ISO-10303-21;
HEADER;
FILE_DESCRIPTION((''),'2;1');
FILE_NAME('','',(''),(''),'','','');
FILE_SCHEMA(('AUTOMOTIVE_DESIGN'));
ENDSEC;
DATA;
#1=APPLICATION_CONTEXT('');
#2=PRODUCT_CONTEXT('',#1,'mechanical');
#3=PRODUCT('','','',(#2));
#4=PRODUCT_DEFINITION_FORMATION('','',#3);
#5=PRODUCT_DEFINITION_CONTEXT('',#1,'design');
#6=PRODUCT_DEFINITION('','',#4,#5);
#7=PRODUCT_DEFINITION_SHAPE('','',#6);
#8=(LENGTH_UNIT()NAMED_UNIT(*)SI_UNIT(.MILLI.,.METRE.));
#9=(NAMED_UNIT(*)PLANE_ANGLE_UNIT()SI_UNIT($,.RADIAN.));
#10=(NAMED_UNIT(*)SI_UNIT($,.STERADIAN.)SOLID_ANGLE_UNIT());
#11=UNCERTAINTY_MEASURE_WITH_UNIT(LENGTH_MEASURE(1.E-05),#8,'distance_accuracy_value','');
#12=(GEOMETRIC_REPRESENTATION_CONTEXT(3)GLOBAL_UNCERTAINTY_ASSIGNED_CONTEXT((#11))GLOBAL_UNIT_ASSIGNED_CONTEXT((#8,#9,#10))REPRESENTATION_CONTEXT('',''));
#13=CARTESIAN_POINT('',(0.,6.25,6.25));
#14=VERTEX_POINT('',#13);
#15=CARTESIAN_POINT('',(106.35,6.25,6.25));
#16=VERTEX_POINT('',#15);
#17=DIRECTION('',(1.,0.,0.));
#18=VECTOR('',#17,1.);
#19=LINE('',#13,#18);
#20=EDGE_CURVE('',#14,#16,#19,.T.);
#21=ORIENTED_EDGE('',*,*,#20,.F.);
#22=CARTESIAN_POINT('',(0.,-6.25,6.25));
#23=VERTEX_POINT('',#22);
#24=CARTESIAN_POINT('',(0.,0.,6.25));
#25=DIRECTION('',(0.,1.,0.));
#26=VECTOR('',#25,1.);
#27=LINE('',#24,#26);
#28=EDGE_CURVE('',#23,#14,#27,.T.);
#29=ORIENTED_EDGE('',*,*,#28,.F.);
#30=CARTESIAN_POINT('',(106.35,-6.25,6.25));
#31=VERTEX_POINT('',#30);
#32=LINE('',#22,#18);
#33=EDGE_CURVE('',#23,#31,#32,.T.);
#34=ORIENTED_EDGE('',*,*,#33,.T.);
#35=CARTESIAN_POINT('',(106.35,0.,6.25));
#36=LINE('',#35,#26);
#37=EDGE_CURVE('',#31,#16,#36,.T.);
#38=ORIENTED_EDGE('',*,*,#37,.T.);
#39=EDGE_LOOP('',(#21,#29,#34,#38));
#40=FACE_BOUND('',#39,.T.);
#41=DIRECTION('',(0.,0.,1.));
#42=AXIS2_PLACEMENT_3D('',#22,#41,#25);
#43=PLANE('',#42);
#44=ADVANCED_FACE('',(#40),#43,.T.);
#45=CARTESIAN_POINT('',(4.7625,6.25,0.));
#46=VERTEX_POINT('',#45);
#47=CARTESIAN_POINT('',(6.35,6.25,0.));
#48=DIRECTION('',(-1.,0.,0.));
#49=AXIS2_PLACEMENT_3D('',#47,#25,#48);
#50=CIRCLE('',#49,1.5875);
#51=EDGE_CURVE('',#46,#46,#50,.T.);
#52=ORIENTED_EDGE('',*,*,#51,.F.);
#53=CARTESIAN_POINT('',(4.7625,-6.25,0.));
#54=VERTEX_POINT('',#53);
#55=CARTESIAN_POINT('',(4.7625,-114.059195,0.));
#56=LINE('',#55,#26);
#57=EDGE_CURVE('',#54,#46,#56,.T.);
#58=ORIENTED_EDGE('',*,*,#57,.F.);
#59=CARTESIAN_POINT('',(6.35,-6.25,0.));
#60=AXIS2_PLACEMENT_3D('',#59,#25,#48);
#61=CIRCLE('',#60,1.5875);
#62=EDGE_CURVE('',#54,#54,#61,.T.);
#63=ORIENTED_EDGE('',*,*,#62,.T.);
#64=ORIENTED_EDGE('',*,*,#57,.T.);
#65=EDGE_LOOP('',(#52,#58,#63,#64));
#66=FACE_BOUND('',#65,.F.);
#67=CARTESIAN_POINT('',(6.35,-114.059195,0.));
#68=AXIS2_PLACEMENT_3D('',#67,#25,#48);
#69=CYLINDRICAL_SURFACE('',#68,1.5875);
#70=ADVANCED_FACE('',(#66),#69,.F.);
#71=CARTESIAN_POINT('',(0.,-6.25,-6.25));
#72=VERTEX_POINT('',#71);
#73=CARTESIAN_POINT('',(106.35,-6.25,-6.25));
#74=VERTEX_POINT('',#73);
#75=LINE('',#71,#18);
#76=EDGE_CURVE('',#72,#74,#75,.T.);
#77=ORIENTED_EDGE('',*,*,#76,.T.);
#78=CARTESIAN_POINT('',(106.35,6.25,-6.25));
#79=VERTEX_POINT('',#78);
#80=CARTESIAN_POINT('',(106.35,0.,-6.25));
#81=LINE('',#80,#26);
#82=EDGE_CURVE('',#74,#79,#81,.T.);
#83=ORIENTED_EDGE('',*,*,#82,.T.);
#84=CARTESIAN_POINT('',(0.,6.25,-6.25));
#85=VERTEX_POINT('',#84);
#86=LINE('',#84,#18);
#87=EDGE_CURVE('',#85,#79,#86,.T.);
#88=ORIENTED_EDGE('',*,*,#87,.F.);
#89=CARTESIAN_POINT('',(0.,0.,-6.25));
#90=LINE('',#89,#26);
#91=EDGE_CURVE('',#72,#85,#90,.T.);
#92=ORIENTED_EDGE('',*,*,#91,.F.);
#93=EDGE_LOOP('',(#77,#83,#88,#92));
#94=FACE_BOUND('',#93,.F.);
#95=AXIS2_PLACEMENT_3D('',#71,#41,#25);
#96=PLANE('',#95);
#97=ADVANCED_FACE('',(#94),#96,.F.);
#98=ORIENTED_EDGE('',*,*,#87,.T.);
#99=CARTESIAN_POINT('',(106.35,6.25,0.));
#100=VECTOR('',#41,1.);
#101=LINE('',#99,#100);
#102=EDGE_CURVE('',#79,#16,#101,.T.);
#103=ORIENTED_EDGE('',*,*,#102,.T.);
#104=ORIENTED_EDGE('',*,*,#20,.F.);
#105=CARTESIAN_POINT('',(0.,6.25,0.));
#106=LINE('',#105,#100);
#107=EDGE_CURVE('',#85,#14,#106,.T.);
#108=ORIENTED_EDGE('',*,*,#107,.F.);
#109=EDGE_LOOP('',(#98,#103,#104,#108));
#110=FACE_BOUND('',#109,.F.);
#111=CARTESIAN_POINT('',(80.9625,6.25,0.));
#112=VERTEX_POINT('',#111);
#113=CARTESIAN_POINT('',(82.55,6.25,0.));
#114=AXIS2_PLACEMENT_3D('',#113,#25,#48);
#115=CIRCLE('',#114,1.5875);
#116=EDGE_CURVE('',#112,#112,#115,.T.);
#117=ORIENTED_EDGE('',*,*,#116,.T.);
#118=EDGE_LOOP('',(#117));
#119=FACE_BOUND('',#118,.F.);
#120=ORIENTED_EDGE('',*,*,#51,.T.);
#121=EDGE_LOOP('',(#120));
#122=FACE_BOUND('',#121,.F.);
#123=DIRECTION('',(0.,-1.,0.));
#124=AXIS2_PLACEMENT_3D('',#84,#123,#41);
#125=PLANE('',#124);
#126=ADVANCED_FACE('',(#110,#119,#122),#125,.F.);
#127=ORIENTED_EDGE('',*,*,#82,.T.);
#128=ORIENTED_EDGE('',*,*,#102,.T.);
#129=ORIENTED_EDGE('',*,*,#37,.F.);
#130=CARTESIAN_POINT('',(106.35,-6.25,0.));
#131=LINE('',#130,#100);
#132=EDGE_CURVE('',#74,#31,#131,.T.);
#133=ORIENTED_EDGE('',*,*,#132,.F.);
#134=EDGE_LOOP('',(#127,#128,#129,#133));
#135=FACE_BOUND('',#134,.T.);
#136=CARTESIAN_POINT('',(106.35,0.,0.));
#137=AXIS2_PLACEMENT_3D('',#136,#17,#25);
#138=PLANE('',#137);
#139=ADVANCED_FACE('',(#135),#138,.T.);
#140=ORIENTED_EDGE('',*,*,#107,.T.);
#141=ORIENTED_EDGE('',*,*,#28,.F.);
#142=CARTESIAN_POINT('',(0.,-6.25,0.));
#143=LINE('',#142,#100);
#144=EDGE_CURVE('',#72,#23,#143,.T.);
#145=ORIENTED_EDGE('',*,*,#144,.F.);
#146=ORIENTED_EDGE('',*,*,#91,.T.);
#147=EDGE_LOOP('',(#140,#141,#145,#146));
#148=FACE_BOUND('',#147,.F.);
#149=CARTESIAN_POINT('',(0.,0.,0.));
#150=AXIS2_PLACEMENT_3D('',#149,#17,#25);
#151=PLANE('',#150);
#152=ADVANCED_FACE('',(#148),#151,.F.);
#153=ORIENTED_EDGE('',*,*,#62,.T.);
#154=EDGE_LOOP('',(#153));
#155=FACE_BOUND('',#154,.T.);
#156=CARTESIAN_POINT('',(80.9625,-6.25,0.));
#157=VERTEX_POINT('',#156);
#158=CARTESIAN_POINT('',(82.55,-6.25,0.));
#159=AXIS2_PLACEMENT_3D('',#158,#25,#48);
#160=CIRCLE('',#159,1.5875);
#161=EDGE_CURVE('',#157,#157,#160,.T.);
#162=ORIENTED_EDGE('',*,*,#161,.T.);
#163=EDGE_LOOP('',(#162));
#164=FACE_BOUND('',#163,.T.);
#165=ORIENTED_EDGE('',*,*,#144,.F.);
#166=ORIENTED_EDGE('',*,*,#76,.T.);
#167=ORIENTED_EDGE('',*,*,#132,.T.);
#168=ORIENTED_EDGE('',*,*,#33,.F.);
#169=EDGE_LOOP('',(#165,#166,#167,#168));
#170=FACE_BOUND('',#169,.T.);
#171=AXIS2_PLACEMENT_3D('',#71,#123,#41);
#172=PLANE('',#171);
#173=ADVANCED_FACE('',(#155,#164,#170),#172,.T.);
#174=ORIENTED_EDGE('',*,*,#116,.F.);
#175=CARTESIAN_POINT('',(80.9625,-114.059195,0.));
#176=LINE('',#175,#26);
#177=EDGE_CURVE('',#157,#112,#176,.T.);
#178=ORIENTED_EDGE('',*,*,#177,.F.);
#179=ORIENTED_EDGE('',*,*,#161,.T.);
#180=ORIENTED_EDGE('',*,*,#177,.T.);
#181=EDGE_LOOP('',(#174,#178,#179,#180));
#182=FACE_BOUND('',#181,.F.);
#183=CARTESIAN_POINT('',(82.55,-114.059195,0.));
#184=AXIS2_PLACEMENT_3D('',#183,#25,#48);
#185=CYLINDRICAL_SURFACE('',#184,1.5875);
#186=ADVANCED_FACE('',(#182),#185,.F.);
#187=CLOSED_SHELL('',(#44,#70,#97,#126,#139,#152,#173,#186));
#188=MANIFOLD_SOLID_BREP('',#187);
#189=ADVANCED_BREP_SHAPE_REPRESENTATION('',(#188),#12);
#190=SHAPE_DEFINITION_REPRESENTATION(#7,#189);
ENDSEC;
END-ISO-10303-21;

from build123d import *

# Parameters (mm, degrees)
F0_W     = 12.5
F0_H     = 12.5
F1_DEPTH = 106.35
F3_D     = 3.175


with BuildPart() as f1:
    # F0 (on Right) → F1 (new body)
    with BuildSketch(Plane.YZ):
        Rectangle(F0_W, F0_H)
    extrude(amount=F1_DEPTH)

    # F3 (through all)
    with Locations(Plane.XZ.offset(6.25)):
        with Locations((6.35, 0), (82.55, 0)):
            Hole(F3_D / 2)


solid = f1.part
